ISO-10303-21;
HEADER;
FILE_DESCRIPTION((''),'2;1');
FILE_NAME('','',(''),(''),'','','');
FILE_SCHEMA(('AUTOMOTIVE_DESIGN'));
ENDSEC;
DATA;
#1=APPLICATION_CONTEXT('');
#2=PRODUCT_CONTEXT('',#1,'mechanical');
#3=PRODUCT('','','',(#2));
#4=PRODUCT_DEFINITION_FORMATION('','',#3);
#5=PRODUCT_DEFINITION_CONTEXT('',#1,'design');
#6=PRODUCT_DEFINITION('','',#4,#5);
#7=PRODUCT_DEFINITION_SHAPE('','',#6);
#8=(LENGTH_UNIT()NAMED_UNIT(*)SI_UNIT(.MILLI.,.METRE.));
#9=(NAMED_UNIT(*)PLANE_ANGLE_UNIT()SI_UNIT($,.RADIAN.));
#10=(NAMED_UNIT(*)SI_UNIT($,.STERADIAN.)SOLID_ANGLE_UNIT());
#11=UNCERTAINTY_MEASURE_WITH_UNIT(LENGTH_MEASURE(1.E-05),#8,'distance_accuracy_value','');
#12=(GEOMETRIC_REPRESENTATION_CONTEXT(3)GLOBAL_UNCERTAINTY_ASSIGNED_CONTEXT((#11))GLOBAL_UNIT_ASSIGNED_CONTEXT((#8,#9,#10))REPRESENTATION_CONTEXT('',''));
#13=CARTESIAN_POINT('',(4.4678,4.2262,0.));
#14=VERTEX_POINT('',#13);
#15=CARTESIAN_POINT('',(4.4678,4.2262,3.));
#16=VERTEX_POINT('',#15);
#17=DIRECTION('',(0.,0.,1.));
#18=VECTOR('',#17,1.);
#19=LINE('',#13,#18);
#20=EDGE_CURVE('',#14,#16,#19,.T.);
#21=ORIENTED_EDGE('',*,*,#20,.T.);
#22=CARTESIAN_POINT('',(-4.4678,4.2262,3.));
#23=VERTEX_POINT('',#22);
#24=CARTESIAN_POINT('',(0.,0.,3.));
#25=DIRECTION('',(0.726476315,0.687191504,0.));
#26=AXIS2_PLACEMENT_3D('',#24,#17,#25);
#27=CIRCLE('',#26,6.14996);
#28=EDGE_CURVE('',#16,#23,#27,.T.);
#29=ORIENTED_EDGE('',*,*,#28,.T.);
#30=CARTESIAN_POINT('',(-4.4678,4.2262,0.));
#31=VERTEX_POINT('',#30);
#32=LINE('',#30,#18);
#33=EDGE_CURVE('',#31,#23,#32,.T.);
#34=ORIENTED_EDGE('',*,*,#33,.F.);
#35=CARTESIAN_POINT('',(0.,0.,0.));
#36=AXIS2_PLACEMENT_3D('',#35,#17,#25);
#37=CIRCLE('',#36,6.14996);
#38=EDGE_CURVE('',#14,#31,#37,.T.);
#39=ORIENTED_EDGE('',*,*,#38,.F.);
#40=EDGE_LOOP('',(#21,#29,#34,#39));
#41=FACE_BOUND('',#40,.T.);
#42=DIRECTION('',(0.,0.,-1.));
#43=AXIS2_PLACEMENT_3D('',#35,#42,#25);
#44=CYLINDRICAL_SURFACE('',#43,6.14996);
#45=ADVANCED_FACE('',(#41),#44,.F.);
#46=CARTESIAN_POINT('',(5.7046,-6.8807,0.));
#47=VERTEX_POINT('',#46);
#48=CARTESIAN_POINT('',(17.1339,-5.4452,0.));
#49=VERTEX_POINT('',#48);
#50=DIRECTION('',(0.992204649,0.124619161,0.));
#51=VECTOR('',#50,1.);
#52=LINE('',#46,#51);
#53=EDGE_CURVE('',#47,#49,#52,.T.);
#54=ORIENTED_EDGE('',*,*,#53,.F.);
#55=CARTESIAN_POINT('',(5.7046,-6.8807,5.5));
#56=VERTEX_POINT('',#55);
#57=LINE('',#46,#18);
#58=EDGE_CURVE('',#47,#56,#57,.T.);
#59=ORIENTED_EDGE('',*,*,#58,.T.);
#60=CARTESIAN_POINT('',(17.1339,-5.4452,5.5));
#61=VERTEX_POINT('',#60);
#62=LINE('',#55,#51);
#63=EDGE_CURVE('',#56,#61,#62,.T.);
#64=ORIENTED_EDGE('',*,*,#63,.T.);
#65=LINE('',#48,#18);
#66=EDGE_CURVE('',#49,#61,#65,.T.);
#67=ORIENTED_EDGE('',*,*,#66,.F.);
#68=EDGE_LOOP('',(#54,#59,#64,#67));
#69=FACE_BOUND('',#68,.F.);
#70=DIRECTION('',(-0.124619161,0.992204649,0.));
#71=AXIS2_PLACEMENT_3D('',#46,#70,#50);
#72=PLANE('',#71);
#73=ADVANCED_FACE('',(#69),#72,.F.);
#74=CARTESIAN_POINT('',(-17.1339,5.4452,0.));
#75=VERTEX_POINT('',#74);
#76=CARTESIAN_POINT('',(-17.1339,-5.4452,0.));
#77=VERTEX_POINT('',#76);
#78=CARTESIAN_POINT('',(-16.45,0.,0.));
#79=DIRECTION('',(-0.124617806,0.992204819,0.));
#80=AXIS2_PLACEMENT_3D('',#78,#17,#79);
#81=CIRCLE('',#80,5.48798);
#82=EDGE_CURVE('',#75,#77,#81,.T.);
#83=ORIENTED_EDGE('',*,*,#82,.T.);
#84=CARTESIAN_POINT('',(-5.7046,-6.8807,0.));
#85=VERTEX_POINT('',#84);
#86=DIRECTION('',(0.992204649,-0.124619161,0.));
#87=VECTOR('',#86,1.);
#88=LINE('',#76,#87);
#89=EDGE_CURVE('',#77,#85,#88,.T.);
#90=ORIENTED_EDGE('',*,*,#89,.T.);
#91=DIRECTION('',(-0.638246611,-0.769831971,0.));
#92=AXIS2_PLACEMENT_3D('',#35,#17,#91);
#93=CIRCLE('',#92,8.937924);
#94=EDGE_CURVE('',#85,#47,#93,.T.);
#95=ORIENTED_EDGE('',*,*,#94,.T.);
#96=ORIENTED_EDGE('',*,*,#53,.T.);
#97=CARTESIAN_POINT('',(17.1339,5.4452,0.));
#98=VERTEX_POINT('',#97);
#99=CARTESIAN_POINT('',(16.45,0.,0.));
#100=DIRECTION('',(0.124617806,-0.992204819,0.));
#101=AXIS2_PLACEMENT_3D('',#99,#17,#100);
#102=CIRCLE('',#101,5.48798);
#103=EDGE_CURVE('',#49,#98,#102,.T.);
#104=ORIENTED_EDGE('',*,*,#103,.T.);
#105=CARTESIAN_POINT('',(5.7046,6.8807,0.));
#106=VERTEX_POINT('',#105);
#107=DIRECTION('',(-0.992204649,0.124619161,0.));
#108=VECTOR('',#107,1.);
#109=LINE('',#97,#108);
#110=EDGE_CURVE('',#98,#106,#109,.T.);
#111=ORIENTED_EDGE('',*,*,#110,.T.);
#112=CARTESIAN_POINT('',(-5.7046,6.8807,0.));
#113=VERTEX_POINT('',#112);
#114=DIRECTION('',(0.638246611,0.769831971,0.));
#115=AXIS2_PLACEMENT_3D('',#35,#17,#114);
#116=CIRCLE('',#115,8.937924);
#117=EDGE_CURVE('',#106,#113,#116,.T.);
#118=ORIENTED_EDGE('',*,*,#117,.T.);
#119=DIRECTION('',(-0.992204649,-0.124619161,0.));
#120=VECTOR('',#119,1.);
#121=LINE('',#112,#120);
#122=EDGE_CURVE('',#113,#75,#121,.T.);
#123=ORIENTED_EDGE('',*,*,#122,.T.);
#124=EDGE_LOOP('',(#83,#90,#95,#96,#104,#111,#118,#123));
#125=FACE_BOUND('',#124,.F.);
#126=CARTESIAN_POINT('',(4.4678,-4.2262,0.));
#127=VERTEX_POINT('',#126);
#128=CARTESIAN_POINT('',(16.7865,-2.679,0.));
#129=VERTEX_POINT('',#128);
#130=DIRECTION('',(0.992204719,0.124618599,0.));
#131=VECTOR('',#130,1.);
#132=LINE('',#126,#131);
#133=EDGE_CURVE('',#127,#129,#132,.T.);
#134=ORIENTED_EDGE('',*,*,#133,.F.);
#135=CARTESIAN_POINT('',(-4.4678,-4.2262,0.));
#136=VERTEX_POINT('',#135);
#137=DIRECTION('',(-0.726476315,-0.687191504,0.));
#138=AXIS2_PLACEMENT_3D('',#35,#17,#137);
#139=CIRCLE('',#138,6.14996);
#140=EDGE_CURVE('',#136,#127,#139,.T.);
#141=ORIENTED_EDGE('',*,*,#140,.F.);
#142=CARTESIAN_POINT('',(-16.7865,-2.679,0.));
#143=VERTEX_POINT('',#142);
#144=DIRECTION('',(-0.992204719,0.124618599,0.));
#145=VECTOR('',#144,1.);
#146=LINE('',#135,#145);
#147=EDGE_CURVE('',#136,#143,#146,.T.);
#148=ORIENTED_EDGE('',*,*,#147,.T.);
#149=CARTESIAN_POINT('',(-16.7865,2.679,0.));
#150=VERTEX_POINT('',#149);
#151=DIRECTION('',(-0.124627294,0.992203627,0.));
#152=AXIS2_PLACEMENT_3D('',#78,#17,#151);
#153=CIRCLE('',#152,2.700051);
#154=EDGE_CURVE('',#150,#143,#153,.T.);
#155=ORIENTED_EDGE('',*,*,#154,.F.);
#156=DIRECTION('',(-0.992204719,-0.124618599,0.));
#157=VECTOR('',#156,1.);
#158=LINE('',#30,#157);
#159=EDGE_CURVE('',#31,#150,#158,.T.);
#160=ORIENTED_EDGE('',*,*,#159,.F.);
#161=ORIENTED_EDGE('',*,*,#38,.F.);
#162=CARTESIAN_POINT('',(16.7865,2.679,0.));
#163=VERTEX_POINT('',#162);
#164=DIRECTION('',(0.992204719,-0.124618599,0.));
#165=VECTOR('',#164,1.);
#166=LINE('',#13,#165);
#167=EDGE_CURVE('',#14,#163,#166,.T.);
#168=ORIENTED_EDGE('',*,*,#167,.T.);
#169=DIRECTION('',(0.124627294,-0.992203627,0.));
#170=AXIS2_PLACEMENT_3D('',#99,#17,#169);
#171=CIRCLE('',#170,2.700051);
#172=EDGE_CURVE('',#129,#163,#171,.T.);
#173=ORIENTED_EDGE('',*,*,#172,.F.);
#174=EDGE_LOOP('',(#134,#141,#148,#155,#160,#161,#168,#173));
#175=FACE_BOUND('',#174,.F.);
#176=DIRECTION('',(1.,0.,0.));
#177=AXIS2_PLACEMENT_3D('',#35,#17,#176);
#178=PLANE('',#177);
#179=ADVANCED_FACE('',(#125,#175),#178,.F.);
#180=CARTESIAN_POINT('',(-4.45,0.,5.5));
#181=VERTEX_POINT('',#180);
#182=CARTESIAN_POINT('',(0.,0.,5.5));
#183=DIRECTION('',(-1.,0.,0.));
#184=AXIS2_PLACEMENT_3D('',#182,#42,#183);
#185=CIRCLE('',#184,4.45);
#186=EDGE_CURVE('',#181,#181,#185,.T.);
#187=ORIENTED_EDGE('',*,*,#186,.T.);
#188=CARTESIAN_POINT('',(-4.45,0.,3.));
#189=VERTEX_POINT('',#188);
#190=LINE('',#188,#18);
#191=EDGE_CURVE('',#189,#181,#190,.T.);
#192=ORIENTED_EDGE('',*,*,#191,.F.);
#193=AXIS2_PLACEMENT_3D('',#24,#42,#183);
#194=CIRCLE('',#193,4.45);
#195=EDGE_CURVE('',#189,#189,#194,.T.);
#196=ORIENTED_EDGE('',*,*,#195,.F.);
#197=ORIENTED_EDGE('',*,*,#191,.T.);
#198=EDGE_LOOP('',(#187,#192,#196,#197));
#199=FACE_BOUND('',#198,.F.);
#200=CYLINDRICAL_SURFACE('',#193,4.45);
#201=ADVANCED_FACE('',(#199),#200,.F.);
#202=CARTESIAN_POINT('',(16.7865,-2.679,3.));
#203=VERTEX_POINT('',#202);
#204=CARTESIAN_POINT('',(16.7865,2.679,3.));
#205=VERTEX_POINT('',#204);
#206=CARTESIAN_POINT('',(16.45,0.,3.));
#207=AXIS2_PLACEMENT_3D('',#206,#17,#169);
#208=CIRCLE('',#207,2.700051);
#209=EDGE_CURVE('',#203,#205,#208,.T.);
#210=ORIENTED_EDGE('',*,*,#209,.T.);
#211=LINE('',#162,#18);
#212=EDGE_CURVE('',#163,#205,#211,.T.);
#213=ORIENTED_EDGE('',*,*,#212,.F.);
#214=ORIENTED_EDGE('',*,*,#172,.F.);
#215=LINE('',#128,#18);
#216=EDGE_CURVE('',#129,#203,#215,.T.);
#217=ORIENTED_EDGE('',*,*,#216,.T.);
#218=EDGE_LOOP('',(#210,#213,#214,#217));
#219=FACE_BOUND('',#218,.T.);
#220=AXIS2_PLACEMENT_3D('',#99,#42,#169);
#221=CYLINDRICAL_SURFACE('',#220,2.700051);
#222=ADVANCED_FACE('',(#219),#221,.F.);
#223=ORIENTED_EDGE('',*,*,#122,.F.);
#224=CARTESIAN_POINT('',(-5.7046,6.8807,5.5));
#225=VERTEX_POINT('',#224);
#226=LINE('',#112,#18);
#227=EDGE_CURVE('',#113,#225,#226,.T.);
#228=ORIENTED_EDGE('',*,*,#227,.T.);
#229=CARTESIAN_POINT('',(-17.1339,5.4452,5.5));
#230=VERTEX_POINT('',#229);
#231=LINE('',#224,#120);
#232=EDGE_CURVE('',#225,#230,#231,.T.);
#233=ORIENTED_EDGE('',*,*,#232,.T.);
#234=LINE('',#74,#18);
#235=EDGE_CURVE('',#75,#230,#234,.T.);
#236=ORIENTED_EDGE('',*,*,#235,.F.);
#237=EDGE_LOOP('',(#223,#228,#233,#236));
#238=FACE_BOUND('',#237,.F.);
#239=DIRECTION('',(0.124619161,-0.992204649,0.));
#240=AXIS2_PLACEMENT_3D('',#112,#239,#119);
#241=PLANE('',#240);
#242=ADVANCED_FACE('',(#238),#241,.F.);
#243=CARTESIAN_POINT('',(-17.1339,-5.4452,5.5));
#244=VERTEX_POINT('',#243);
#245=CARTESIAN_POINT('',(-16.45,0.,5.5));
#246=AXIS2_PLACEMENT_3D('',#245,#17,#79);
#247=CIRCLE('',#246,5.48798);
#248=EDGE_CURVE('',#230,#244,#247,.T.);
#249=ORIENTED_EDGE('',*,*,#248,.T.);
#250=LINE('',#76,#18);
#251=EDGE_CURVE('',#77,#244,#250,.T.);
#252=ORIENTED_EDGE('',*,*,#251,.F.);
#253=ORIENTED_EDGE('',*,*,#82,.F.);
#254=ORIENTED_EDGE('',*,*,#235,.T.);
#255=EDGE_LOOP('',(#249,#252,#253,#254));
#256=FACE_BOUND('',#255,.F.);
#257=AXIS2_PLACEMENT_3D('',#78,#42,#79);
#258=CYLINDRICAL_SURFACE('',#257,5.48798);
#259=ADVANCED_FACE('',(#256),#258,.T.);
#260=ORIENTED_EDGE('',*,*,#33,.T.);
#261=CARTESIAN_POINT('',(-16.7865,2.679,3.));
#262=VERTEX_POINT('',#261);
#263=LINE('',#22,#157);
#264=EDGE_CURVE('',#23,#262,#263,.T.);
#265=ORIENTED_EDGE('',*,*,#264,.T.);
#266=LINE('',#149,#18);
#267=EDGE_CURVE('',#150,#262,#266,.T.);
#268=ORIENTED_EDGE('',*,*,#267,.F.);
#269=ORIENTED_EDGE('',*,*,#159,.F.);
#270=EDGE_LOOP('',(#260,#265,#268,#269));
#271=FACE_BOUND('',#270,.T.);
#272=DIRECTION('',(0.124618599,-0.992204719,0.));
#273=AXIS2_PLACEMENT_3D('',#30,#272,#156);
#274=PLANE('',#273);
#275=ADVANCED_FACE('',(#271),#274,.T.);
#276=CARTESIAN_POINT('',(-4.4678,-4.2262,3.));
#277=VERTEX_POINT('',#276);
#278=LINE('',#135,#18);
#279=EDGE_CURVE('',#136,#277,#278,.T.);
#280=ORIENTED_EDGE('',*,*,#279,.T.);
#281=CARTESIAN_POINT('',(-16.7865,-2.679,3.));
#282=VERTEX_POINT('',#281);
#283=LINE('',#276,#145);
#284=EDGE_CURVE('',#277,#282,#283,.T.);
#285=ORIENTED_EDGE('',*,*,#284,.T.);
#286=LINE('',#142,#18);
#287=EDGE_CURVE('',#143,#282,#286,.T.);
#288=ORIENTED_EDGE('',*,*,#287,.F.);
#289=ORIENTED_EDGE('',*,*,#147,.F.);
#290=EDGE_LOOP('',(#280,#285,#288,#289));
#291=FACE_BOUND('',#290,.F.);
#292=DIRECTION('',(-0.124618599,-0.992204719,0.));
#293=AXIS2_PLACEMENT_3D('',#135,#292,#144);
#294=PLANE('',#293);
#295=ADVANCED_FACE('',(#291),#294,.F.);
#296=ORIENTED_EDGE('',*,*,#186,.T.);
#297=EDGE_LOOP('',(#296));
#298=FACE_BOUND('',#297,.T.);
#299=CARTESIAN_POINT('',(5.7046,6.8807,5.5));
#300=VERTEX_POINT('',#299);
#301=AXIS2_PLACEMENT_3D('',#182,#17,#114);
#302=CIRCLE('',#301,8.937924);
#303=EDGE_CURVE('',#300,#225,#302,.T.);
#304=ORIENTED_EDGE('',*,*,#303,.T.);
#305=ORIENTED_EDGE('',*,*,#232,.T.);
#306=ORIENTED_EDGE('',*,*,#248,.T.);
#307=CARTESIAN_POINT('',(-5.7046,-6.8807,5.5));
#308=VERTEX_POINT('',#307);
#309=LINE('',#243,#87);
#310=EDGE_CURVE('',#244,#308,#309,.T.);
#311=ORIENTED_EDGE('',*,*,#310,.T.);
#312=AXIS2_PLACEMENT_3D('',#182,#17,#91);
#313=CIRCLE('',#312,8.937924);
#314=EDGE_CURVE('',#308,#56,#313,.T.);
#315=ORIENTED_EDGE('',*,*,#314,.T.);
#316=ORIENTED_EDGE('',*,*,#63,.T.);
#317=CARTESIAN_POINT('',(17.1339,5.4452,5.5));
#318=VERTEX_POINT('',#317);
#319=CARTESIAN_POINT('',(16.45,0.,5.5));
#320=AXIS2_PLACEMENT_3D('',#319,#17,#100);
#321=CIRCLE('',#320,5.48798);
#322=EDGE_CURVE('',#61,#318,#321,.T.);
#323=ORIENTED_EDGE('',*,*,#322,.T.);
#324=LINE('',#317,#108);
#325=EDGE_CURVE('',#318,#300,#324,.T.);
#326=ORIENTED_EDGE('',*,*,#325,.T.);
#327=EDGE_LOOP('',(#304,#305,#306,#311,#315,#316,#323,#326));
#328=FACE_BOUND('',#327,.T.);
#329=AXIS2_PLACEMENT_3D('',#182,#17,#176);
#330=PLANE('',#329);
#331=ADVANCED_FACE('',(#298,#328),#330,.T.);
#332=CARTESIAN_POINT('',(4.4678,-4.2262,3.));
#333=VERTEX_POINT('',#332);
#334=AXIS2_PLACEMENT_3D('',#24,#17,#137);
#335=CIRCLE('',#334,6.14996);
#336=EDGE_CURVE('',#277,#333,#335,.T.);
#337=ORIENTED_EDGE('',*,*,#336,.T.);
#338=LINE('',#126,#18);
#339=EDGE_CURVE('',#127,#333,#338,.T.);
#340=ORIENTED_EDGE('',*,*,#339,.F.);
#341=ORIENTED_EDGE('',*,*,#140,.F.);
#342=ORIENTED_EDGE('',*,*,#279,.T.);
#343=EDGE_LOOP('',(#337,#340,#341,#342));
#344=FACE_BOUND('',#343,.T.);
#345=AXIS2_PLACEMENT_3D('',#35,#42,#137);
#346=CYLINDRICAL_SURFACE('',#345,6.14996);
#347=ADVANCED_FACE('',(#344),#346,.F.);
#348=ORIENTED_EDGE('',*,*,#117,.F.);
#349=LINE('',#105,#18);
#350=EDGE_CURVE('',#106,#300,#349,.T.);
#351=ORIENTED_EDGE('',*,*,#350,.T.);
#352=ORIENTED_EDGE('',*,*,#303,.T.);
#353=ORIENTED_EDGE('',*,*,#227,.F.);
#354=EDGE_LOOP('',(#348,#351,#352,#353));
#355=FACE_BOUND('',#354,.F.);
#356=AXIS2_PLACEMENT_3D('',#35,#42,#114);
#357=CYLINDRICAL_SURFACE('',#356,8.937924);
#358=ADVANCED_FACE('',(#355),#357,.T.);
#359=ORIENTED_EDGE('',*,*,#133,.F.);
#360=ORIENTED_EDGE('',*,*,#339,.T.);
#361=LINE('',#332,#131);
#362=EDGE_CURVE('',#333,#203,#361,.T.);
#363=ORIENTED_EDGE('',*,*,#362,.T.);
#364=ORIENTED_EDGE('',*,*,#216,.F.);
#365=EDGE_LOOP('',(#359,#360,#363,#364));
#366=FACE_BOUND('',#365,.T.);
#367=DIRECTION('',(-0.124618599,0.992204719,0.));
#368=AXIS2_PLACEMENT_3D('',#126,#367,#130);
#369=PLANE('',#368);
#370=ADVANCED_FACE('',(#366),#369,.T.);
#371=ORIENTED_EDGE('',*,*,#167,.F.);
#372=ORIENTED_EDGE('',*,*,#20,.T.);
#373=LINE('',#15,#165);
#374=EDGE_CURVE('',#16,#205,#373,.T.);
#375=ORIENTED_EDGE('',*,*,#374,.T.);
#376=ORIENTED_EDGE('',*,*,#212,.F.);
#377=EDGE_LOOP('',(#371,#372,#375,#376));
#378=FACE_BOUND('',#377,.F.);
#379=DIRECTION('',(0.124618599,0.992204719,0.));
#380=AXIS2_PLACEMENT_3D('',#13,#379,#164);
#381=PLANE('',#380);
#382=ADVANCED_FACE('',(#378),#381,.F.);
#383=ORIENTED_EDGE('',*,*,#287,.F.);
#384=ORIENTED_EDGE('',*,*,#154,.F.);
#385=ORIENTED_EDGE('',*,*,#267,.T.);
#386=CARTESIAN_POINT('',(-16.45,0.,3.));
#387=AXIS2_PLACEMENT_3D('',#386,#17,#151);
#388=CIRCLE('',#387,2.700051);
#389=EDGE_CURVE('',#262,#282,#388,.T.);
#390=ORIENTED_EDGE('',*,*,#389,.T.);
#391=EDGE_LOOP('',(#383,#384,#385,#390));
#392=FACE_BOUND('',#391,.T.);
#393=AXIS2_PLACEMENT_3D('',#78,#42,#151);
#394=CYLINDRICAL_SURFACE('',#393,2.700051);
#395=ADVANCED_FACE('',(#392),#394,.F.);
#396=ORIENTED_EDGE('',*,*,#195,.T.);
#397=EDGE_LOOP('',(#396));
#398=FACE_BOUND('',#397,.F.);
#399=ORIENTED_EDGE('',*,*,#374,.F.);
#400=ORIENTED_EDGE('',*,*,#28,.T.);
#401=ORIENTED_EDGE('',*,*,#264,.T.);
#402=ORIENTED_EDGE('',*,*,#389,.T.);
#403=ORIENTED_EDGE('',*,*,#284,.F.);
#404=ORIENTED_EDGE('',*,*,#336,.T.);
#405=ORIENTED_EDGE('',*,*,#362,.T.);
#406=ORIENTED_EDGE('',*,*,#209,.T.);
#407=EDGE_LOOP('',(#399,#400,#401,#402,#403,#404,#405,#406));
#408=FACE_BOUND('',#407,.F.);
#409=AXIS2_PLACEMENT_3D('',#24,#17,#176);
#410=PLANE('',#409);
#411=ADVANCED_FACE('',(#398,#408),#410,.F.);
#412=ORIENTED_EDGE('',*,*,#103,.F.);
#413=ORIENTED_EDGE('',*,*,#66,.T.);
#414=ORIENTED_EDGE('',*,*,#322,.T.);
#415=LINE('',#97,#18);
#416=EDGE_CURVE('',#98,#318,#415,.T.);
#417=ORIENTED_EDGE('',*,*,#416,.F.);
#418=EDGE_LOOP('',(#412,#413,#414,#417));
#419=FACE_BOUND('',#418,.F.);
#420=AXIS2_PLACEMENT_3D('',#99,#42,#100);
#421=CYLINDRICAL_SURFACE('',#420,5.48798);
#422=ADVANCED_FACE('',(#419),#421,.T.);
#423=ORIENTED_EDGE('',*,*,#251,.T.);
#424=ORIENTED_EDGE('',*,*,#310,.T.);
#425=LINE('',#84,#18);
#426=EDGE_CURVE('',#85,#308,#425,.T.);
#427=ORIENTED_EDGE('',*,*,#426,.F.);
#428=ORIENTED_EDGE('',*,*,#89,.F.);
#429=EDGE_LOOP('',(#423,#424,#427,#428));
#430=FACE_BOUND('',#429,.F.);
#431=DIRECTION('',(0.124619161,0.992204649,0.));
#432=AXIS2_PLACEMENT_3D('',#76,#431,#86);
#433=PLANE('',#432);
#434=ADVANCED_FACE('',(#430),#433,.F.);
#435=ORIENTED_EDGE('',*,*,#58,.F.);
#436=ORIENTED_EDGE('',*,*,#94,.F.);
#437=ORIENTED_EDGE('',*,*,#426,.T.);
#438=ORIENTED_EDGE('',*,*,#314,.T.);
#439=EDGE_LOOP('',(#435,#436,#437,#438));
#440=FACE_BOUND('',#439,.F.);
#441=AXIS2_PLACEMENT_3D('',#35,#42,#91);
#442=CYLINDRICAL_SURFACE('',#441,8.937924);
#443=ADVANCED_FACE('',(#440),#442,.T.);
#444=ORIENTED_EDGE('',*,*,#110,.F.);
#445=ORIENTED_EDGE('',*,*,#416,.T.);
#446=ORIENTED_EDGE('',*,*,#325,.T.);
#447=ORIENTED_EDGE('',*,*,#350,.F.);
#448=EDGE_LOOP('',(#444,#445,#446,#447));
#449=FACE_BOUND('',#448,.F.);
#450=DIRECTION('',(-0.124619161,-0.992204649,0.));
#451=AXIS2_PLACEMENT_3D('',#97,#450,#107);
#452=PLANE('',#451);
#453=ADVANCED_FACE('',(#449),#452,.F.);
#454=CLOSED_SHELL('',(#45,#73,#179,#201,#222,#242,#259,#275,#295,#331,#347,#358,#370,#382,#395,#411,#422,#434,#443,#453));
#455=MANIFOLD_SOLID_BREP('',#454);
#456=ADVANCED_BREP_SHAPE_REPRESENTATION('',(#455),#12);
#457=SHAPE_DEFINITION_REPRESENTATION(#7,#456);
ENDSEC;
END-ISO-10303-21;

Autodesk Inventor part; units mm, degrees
ref_plane "YZ Plane" through (0, 0, 0) normal (1, 0, 0) x (0, 1, 0)
ref_plane "XY Plane" through (0, 0, 0) normal (0, 0, 1) x (1, 0, 0)
sketch "bASE" plane through (0, 0, 0) normal (0, 0, 1) x (1, 0, 0)
  arc A0 (-16.7865, 2.679) -> (-16.7865, -2.679) centre (-16.45, 0) ccw
  arc A1 (16.7865, -2.679) -> (16.7865, 2.679) centre (16.45, 0) ccw
  line L0 (4.4678, -4.2262) -> (16.7865, -2.679)
  line L1 (4.4678, 4.2262) -> (16.7865, 2.679)
  line L2 (-4.4678, 4.2262) -> (-16.7865, 2.679)
  line L3 (-4.4678, -4.2262) -> (-16.7865, -2.679)
  arc A2 (-4.4678, -4.2262) -> (4.4678, -4.2262) centre (0, 0) ccw
  arc A3 (4.4678, 4.2262) -> (-4.4678, 4.2262) centre (0, 0) ccw
  point P0 (0, 4.2262)
  dimension "d20" = 5.4
  dimension "d21" = 5.4
sketch "Coupling" plane through (0, 0, 0) normal (0, 0, 1) x (1, 0, 0)
  line L0 (-4.4678, 4.2262) -> (-16.7865, 2.679) projected
  arc A0 (4.4678, 4.2262) -> (-4.4678, 4.2262) centre (0, 0) ccw projected
  line L1 (4.4678, 4.2262) -> (16.7865, 2.679) projected
  arc A1 (16.7865, -2.679) -> (16.7865, 2.679) centre (16.45, 0) ccw projected
  line L2 (4.4678, -4.2262) -> (16.7865, -2.679) projected
  arc A2 (-4.4678, -4.2262) -> (4.4678, -4.2262) centre (0, 0) ccw projected
  line L3 (-4.4678, -4.2262) -> (-16.7865, -2.679) projected
  arc A3 (-16.7865, 2.679) -> (-16.7865, -2.679) centre (-16.45, 0) ccw projected
  line L4 (17.1339, 5.4452) -> (5.7046, 6.8807)
  arc A4 (5.7046, 6.8807) -> (-5.7046, 6.8807) centre (0, 0) ccw
  line L5 (-5.7046, 6.8807) -> (-17.1339, 5.4452)
  arc A5 (-17.1339, 5.4452) -> (-17.1339, -5.4452) centre (-16.45, 0) ccw
  line L6 (-17.1339, -5.4452) -> (-5.7046, -6.8807)
  arc A6 (-5.7046, -6.8807) -> (5.7046, -6.8807) centre (0, 0) ccw
  line L7 (5.7046, -6.8807) -> (17.1339, -5.4452)
  arc A7 (17.1339, -5.4452) -> (17.1339, 5.4452) centre (16.45, 0) ccw
extrude "Extrusion7" add sketch "Coupling" along normal blind 5.5 contours A0 L1 A1 L2 A2 L3 A3 L0 | A7 L7 A6 L6 A5 L5 A4 L4
extrude "Extrusion8" cut sketch "bASE" along normal blind 3
sketch "Sketch8" plane through (0, 0, 3) normal (0, 0, -1) x (-1, 0, 0)
  arc A0 (-4.4678, -4.2262) -> (4.4678, -4.2262) centre (0, 0) ccw projected
  circle A1 centre (0, 0) radius 4.45
  dimension "d26" = 8.9
extrude "Extrusion9" cut sketch "Sketch8" against normal blind 3
ref_plane "ConstraintPlane" through (0, 0, 0) normal (0, 1, 0) x (-1, 0, 0)
properties part number "ServoHornPocket"
